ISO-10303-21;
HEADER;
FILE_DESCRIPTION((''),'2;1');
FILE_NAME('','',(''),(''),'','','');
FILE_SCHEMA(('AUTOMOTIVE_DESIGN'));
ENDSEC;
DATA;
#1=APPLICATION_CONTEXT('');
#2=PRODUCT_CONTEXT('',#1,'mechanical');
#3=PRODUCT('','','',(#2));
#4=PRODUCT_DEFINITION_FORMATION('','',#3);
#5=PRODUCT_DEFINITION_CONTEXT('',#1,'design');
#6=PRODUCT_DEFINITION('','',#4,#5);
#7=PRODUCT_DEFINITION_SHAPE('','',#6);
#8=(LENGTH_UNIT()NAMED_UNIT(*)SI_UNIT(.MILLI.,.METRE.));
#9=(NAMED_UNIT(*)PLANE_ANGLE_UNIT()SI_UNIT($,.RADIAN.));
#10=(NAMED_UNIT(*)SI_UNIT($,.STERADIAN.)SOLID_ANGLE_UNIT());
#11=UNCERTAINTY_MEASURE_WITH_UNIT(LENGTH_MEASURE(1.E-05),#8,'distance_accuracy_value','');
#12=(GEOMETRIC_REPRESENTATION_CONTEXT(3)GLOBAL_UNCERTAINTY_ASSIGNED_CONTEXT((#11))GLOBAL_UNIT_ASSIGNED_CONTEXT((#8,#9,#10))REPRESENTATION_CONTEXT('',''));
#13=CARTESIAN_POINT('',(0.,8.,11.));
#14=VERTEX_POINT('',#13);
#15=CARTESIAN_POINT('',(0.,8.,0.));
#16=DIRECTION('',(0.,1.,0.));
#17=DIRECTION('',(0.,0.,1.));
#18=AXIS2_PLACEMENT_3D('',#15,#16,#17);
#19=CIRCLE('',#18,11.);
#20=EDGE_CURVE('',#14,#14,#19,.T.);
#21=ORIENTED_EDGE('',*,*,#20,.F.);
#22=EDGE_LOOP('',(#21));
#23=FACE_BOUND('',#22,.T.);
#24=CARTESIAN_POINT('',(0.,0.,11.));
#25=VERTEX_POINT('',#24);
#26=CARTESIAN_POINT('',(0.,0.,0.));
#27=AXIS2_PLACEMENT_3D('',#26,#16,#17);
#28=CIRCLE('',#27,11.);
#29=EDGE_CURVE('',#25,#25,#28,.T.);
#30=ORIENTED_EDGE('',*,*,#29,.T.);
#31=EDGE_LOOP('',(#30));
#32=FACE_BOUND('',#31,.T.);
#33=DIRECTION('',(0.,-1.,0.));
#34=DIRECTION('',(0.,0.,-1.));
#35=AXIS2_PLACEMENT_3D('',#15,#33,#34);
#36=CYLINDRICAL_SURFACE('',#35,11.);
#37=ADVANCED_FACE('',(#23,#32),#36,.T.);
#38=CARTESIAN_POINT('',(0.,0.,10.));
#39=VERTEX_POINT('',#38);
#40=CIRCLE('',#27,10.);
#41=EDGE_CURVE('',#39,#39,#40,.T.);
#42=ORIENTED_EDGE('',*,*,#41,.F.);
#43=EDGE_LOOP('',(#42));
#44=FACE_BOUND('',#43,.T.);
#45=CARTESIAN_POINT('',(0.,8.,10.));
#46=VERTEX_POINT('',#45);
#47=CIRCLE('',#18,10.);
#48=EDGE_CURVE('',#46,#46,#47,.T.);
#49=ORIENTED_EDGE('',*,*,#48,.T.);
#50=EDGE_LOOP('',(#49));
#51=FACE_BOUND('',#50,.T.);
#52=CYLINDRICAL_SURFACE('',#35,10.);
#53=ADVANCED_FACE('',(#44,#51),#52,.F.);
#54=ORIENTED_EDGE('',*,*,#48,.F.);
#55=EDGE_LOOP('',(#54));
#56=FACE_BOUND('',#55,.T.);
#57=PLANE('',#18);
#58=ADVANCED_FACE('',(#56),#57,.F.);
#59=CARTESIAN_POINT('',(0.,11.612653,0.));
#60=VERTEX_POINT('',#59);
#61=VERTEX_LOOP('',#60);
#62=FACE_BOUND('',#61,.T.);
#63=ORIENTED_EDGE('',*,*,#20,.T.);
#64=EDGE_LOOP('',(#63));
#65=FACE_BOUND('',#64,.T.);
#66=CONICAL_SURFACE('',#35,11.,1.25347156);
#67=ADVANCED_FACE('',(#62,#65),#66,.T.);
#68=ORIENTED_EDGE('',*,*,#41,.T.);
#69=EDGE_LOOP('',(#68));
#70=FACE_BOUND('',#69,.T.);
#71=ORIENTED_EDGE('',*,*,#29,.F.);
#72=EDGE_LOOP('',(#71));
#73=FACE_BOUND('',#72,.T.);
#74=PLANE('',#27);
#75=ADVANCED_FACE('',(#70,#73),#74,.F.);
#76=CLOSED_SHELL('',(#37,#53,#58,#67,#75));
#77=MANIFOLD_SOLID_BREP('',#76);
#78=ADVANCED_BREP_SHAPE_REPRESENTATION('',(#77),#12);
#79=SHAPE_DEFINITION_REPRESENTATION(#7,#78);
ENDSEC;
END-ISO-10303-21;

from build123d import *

# Parameters (mm, degrees)
IZIM1_R                     = 11
IZIM1_R_2                   = 10
Y_KSEKLIK_EKSTR_ZYON1_DEPTH = 8


with BuildPart() as part:
    # Çizim1 → Yükseklik-Ekstrüzyon1 (new body)
    with BuildSketch(Plane(origin=(0, 0, 0), x_dir=(1, 0, 0), z_dir=(0, 1, 0))):
        with Locations(Location((0, 0, 0), (0, 0, 270))):
            Circle(IZIM1_R)
        with Locations(Location((0, 0, 0), (0, 0, 270))):
            Circle(IZIM1_R_2, mode=Mode.SUBTRACT)
    extrude(amount=Y_KSEKLIK_EKSTR_ZYON1_DEPTH)

    # Çizim2 → Döndür1 (revolve)
    with BuildSketch(Plane.XY, mode=Mode.PRIVATE) as d_nd_r1_sk:
        Polygon((0, 11.612653039), (11, 8), (0, 8), align=None)
    revolve(d_nd_r1_sk.sketch.rotate(Axis((0, 11.612653039, 0), (0, -1, 0)), 270), axis=Axis((0, 11.612653039, 0), (0, -1, 0)))


solid = part.part
